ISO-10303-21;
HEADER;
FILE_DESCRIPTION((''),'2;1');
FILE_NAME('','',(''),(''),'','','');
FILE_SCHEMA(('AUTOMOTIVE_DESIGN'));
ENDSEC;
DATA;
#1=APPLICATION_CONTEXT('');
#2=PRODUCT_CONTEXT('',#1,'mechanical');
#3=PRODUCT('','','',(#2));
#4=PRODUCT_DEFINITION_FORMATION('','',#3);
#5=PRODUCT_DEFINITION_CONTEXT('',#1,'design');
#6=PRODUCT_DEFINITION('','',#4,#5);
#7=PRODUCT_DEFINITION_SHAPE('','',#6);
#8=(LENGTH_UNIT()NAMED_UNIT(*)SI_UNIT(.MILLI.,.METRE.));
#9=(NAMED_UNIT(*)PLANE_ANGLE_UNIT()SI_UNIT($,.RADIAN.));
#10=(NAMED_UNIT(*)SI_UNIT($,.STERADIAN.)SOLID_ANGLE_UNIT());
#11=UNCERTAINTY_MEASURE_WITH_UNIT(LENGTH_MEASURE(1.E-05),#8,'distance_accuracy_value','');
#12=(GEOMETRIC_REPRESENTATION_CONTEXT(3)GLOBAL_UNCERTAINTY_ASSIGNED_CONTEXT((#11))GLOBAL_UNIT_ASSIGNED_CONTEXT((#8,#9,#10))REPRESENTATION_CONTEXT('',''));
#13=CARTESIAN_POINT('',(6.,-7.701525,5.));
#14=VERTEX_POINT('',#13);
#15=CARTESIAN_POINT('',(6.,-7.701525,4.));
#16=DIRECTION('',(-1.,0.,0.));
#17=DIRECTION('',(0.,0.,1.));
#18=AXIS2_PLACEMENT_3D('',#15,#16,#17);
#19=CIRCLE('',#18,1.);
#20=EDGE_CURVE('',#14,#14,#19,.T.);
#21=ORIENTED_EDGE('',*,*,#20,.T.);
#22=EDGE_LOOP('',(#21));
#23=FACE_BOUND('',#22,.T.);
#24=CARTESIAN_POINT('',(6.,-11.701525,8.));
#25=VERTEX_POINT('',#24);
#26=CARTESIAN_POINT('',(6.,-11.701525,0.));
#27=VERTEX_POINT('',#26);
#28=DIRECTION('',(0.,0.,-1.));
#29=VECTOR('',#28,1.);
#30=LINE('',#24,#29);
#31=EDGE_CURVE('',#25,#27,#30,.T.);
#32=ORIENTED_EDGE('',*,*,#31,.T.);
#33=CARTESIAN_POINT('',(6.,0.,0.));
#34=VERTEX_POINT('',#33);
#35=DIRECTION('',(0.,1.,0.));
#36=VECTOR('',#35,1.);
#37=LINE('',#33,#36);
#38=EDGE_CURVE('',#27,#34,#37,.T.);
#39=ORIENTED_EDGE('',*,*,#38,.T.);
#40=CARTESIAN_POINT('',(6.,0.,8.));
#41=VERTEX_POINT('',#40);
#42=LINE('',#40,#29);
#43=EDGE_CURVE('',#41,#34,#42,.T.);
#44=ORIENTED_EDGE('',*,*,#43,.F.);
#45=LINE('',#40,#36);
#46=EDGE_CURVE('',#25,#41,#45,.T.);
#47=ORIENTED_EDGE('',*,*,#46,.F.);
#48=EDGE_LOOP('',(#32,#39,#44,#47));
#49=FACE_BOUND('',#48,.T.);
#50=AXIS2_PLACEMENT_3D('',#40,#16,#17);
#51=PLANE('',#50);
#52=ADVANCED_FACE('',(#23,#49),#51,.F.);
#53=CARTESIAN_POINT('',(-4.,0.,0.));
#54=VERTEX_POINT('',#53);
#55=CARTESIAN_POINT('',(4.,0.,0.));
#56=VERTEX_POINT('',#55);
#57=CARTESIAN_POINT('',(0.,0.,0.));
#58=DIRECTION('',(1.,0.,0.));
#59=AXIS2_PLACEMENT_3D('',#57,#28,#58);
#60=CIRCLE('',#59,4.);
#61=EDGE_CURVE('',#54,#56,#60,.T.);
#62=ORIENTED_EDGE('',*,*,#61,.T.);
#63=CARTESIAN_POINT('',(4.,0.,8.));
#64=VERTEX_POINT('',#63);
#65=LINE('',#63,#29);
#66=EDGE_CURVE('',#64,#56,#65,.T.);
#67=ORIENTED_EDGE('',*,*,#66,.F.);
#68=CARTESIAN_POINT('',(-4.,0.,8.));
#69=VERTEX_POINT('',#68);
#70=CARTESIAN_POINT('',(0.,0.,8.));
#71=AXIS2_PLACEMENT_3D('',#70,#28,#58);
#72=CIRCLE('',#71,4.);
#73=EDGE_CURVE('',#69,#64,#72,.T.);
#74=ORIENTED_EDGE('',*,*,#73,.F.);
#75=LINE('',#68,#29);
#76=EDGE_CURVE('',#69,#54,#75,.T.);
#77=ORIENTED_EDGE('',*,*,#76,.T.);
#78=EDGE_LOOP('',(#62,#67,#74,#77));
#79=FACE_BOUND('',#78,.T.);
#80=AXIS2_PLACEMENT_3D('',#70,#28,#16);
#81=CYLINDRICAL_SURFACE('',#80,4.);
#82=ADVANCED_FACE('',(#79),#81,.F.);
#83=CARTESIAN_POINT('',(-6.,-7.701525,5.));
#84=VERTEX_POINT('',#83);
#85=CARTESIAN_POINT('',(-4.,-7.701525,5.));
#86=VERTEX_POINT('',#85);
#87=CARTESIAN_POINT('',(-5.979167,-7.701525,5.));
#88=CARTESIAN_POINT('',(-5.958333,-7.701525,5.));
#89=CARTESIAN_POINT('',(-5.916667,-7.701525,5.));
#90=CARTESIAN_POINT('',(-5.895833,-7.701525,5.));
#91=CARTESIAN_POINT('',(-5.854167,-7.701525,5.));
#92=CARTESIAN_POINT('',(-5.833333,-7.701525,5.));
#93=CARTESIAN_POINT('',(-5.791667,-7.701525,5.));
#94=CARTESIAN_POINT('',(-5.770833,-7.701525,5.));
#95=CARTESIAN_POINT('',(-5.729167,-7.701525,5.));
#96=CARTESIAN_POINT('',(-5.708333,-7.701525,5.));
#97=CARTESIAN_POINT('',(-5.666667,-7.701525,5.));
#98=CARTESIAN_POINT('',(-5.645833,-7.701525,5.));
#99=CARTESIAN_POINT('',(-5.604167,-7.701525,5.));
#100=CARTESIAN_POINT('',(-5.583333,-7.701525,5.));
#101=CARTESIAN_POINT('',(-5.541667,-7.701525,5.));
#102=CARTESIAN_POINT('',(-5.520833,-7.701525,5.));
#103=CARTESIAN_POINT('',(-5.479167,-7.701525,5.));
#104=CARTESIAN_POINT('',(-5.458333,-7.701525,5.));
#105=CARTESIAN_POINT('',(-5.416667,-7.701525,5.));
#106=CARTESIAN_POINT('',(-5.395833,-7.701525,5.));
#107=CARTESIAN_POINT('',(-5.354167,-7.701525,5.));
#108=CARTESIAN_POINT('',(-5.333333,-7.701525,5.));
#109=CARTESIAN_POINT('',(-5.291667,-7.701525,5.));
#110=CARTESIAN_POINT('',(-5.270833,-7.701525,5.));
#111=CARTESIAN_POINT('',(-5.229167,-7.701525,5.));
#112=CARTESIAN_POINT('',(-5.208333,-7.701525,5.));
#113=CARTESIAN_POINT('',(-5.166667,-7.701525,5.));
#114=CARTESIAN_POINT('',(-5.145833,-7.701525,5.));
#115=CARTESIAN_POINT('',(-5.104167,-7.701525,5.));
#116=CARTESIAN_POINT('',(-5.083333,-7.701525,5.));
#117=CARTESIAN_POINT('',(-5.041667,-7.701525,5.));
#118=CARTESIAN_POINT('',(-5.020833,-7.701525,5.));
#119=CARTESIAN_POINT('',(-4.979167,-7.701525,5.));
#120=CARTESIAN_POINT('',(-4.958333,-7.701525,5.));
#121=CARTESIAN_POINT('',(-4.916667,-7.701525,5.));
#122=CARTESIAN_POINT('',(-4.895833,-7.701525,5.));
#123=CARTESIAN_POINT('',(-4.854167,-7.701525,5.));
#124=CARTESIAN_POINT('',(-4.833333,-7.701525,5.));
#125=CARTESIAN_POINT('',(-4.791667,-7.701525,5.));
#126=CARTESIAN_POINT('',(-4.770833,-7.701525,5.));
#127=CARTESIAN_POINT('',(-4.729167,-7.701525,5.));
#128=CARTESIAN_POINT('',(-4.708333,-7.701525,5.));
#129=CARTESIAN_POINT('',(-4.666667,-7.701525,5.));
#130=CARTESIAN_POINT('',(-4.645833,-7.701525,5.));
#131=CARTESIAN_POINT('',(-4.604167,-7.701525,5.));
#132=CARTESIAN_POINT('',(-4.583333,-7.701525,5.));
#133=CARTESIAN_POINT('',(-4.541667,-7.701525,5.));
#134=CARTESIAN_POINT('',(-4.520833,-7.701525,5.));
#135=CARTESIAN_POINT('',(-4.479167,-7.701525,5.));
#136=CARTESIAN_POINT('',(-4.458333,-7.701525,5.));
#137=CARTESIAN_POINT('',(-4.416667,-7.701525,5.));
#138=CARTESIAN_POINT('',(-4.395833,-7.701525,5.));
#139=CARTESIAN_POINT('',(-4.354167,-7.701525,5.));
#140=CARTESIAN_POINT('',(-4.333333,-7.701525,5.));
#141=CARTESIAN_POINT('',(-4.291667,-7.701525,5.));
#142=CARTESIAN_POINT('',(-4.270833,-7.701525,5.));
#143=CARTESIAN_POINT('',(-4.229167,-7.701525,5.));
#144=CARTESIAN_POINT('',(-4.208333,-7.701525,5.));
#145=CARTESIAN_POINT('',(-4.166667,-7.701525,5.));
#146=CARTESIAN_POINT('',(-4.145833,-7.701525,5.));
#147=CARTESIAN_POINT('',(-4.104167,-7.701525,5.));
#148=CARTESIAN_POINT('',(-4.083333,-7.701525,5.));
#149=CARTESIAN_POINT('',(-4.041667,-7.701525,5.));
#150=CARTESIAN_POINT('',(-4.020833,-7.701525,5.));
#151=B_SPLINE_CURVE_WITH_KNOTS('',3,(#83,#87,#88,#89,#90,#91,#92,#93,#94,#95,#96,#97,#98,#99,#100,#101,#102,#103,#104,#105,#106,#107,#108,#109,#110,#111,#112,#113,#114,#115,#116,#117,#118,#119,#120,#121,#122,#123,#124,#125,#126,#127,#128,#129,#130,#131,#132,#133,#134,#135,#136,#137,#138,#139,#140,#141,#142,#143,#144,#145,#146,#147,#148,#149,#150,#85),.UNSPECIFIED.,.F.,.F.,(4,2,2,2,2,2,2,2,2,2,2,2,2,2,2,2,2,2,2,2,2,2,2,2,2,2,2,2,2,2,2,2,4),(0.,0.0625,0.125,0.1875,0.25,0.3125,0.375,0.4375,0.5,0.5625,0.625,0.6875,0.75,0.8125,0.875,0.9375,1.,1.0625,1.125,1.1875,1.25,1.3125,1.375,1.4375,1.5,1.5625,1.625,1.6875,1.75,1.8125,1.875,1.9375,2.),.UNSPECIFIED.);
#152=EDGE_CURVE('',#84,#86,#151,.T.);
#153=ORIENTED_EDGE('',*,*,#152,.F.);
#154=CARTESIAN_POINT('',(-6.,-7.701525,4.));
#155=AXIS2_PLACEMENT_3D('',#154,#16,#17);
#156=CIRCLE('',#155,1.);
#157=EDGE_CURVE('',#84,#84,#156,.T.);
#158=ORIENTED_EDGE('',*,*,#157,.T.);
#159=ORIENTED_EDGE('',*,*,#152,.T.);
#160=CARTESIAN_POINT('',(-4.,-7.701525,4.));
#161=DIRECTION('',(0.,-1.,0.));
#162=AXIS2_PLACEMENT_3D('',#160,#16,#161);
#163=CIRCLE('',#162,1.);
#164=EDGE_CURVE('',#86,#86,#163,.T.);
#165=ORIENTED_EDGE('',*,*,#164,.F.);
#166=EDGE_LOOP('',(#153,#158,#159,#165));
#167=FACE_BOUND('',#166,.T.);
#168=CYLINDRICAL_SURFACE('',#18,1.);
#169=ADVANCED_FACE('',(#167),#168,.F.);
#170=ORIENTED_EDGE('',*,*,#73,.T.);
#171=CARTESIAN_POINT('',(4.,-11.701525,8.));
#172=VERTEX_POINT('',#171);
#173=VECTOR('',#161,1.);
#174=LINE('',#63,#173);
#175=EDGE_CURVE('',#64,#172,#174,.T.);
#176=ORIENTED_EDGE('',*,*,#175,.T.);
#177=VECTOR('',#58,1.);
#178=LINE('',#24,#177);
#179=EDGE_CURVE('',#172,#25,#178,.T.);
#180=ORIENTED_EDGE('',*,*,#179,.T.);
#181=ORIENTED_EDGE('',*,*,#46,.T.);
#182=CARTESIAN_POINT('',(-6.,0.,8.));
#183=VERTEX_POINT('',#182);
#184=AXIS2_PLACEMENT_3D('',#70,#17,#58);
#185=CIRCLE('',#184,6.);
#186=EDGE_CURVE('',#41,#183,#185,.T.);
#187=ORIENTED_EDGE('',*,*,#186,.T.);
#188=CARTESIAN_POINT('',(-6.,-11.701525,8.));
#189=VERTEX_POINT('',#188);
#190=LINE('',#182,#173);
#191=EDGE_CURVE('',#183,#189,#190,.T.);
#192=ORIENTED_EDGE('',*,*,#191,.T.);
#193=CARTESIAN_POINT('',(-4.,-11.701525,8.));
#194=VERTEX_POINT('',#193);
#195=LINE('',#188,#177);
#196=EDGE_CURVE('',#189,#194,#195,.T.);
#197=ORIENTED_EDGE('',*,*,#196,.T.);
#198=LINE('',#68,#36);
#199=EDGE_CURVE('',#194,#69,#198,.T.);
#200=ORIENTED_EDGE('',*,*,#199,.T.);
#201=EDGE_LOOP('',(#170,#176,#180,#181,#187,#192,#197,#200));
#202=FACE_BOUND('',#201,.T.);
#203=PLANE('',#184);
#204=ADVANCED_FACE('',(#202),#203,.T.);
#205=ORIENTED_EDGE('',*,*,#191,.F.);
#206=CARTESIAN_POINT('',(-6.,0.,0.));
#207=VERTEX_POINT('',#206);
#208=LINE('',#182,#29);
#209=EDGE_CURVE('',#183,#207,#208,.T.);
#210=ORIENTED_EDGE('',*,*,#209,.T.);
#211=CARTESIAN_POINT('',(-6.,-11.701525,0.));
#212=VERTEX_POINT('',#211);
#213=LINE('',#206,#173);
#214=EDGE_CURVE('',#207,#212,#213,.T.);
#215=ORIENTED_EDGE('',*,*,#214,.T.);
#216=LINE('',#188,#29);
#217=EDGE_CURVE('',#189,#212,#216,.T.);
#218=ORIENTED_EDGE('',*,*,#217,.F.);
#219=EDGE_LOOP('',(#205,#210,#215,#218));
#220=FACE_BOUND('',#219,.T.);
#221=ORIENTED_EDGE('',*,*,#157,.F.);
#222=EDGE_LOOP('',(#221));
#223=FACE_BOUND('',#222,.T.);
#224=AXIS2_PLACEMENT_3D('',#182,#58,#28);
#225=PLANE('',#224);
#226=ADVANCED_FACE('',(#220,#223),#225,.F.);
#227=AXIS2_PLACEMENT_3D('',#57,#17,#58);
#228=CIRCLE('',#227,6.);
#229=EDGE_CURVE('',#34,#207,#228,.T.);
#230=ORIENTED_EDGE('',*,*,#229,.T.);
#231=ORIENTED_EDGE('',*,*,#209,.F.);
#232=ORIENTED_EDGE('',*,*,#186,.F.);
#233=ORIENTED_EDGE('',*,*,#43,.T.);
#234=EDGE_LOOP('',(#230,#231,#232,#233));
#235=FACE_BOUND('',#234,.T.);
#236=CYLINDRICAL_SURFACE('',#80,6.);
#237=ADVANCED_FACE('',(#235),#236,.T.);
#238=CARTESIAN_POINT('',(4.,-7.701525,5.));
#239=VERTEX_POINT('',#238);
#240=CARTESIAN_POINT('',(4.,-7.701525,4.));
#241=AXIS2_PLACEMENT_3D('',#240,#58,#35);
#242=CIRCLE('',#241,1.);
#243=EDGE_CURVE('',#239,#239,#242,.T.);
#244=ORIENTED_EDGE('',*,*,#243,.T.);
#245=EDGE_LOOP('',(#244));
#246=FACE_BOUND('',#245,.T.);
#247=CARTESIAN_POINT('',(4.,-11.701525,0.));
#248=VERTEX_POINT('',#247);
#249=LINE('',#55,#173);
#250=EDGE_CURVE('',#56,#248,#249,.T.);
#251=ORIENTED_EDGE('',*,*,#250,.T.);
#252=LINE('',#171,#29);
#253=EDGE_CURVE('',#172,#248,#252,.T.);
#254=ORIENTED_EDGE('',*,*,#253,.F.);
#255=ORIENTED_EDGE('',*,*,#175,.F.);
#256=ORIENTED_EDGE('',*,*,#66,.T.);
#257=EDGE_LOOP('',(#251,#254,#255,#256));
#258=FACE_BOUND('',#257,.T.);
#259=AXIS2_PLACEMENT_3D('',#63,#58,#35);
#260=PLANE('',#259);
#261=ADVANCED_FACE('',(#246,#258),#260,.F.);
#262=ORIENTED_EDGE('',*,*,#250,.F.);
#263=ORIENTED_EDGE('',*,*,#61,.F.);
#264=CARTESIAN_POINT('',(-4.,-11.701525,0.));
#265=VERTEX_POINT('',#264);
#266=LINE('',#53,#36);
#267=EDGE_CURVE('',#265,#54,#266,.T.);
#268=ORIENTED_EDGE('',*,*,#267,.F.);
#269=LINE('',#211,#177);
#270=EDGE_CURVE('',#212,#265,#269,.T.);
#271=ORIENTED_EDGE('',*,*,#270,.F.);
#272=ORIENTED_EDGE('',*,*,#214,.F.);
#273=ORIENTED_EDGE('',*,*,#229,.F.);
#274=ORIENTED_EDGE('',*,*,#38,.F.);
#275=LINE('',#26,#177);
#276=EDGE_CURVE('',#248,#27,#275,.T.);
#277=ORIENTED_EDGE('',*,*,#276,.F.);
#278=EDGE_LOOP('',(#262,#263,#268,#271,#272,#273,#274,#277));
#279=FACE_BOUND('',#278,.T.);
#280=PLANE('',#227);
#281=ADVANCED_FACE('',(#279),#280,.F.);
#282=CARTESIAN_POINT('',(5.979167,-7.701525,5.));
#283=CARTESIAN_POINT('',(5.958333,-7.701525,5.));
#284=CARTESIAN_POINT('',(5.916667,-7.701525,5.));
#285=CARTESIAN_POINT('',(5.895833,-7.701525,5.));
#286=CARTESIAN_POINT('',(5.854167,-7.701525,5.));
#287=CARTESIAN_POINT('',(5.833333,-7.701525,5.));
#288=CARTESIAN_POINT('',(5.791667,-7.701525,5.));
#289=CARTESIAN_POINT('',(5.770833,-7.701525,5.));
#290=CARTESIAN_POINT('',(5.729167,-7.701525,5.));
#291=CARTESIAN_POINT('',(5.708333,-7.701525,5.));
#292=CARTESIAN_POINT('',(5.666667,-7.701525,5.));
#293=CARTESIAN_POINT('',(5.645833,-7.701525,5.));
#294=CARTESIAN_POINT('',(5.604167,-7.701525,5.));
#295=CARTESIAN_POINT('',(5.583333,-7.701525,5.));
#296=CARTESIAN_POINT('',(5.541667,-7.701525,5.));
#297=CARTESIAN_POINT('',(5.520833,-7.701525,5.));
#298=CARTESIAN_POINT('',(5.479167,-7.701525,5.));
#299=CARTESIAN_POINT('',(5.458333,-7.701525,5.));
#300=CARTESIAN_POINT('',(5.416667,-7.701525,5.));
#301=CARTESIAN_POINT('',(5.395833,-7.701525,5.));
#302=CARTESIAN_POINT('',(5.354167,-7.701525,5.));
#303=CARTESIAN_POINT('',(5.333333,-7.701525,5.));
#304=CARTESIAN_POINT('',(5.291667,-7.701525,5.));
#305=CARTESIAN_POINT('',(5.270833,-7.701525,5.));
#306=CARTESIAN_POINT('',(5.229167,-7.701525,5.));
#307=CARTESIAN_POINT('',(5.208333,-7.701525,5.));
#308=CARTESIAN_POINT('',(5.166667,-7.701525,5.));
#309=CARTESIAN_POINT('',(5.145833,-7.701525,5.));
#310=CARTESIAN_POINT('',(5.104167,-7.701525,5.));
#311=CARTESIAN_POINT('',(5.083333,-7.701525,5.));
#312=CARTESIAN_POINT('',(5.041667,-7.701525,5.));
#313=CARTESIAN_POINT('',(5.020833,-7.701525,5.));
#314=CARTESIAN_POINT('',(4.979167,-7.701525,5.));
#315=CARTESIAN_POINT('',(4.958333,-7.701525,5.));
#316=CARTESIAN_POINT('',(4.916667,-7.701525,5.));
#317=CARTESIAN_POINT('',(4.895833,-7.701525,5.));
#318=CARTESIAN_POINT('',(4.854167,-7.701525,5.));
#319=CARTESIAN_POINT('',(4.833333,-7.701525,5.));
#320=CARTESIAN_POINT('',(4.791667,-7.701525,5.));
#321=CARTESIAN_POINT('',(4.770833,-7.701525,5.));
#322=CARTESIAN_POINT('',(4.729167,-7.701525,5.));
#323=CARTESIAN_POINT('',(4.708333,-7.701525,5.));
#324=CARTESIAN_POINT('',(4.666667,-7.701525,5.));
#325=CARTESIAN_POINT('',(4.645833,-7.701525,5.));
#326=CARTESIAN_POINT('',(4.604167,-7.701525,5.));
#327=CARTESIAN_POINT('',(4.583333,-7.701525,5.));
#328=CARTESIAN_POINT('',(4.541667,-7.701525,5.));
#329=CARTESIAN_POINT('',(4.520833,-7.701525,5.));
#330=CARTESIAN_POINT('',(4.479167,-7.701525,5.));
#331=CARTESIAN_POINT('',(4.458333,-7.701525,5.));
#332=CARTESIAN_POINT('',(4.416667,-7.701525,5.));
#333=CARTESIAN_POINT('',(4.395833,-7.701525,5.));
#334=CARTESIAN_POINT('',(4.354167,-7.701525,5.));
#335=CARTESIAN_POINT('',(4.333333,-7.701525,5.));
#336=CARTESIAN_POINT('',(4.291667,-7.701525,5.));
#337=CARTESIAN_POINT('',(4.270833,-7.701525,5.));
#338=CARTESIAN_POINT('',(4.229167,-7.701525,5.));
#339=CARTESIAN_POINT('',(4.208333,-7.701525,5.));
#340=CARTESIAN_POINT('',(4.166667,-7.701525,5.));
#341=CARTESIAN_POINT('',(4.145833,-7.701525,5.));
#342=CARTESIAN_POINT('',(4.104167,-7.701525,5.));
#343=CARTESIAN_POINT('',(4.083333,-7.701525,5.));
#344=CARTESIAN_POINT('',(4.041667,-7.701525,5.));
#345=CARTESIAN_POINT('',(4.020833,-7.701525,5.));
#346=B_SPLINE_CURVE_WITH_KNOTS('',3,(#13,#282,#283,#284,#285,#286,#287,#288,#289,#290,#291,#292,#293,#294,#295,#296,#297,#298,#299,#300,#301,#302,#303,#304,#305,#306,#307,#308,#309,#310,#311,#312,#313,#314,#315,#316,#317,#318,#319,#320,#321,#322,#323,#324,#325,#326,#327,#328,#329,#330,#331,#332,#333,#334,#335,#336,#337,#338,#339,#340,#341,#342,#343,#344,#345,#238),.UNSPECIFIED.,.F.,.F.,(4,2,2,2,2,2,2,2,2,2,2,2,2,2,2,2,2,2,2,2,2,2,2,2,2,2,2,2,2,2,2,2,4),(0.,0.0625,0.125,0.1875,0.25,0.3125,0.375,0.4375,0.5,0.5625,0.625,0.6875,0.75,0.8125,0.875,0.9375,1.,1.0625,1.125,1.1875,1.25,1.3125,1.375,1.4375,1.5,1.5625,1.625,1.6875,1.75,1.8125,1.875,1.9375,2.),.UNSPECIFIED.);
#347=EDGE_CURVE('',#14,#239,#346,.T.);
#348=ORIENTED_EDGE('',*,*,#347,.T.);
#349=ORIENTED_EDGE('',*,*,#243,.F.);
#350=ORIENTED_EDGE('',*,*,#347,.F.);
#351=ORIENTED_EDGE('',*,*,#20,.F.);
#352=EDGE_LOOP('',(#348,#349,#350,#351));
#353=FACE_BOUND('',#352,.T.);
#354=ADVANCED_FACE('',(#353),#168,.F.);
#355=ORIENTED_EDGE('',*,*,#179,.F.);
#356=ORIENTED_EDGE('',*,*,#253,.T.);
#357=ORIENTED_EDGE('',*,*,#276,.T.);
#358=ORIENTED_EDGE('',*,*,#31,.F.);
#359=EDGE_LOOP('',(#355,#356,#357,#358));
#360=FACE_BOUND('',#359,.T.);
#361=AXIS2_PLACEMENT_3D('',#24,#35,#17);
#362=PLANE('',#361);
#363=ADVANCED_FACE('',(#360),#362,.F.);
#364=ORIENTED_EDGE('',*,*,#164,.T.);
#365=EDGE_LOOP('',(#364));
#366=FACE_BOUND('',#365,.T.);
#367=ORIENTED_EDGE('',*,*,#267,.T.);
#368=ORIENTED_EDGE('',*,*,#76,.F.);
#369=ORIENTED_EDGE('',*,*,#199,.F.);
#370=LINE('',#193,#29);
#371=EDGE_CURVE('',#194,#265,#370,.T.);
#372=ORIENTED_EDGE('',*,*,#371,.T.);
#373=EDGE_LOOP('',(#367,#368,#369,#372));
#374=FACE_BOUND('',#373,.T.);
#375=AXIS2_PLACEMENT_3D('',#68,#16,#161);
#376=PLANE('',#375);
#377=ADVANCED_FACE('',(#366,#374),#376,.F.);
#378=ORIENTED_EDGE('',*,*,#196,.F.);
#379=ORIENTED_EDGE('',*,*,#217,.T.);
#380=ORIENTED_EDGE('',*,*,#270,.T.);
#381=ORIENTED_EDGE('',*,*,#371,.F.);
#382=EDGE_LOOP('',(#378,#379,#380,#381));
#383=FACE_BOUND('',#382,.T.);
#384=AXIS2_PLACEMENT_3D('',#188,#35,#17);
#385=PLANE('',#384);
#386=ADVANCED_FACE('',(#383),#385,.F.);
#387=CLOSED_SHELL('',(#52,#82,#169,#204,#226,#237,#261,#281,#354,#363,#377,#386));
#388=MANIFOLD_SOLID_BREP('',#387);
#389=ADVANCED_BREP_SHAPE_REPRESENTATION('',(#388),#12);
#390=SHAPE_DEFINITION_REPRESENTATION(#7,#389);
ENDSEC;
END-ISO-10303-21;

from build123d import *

# Parameters (mm, degrees)
BOSS_EXTRUDE1_DEPTH = 8
SKETCH2_R           = 1
CUT_EXTRUDE1_DEPTH  = 19.572175383


with BuildPart() as part:
    # Sketch1 → Boss-Extrude1 (new body)
    with BuildSketch(Plane.XY):
        with BuildLine():
            Line((-4, 0), (-4, -11.701525476))
            Line((-4, -11.701525476), (-6, -11.701525476))
            Line((-6, -11.701525476), (-6, 0))
            ThreePointArc((-6, 0), (0, 6), (6, 0))
            Line((6, 0), (6, -11.701525476))
            Line((6, -11.701525476), (3.999999999, -11.701525476))
            Line((3.999999999, -11.701525476), (4, 0))
            ThreePointArc((4, 0), (0, 4), (-4, 0))
        make_face()
    extrude(amount=BOSS_EXTRUDE1_DEPTH)

    # Sketch2 → Cut-Extrude1 (cut, through all)
    with BuildSketch(Plane.ZY.offset(6)):
        with Locations((4, -7.701525476)):
            Circle(SKETCH2_R)
    extrude(amount=-CUT_EXTRUDE1_DEPTH, mode=Mode.SUBTRACT)


solid = part.part
